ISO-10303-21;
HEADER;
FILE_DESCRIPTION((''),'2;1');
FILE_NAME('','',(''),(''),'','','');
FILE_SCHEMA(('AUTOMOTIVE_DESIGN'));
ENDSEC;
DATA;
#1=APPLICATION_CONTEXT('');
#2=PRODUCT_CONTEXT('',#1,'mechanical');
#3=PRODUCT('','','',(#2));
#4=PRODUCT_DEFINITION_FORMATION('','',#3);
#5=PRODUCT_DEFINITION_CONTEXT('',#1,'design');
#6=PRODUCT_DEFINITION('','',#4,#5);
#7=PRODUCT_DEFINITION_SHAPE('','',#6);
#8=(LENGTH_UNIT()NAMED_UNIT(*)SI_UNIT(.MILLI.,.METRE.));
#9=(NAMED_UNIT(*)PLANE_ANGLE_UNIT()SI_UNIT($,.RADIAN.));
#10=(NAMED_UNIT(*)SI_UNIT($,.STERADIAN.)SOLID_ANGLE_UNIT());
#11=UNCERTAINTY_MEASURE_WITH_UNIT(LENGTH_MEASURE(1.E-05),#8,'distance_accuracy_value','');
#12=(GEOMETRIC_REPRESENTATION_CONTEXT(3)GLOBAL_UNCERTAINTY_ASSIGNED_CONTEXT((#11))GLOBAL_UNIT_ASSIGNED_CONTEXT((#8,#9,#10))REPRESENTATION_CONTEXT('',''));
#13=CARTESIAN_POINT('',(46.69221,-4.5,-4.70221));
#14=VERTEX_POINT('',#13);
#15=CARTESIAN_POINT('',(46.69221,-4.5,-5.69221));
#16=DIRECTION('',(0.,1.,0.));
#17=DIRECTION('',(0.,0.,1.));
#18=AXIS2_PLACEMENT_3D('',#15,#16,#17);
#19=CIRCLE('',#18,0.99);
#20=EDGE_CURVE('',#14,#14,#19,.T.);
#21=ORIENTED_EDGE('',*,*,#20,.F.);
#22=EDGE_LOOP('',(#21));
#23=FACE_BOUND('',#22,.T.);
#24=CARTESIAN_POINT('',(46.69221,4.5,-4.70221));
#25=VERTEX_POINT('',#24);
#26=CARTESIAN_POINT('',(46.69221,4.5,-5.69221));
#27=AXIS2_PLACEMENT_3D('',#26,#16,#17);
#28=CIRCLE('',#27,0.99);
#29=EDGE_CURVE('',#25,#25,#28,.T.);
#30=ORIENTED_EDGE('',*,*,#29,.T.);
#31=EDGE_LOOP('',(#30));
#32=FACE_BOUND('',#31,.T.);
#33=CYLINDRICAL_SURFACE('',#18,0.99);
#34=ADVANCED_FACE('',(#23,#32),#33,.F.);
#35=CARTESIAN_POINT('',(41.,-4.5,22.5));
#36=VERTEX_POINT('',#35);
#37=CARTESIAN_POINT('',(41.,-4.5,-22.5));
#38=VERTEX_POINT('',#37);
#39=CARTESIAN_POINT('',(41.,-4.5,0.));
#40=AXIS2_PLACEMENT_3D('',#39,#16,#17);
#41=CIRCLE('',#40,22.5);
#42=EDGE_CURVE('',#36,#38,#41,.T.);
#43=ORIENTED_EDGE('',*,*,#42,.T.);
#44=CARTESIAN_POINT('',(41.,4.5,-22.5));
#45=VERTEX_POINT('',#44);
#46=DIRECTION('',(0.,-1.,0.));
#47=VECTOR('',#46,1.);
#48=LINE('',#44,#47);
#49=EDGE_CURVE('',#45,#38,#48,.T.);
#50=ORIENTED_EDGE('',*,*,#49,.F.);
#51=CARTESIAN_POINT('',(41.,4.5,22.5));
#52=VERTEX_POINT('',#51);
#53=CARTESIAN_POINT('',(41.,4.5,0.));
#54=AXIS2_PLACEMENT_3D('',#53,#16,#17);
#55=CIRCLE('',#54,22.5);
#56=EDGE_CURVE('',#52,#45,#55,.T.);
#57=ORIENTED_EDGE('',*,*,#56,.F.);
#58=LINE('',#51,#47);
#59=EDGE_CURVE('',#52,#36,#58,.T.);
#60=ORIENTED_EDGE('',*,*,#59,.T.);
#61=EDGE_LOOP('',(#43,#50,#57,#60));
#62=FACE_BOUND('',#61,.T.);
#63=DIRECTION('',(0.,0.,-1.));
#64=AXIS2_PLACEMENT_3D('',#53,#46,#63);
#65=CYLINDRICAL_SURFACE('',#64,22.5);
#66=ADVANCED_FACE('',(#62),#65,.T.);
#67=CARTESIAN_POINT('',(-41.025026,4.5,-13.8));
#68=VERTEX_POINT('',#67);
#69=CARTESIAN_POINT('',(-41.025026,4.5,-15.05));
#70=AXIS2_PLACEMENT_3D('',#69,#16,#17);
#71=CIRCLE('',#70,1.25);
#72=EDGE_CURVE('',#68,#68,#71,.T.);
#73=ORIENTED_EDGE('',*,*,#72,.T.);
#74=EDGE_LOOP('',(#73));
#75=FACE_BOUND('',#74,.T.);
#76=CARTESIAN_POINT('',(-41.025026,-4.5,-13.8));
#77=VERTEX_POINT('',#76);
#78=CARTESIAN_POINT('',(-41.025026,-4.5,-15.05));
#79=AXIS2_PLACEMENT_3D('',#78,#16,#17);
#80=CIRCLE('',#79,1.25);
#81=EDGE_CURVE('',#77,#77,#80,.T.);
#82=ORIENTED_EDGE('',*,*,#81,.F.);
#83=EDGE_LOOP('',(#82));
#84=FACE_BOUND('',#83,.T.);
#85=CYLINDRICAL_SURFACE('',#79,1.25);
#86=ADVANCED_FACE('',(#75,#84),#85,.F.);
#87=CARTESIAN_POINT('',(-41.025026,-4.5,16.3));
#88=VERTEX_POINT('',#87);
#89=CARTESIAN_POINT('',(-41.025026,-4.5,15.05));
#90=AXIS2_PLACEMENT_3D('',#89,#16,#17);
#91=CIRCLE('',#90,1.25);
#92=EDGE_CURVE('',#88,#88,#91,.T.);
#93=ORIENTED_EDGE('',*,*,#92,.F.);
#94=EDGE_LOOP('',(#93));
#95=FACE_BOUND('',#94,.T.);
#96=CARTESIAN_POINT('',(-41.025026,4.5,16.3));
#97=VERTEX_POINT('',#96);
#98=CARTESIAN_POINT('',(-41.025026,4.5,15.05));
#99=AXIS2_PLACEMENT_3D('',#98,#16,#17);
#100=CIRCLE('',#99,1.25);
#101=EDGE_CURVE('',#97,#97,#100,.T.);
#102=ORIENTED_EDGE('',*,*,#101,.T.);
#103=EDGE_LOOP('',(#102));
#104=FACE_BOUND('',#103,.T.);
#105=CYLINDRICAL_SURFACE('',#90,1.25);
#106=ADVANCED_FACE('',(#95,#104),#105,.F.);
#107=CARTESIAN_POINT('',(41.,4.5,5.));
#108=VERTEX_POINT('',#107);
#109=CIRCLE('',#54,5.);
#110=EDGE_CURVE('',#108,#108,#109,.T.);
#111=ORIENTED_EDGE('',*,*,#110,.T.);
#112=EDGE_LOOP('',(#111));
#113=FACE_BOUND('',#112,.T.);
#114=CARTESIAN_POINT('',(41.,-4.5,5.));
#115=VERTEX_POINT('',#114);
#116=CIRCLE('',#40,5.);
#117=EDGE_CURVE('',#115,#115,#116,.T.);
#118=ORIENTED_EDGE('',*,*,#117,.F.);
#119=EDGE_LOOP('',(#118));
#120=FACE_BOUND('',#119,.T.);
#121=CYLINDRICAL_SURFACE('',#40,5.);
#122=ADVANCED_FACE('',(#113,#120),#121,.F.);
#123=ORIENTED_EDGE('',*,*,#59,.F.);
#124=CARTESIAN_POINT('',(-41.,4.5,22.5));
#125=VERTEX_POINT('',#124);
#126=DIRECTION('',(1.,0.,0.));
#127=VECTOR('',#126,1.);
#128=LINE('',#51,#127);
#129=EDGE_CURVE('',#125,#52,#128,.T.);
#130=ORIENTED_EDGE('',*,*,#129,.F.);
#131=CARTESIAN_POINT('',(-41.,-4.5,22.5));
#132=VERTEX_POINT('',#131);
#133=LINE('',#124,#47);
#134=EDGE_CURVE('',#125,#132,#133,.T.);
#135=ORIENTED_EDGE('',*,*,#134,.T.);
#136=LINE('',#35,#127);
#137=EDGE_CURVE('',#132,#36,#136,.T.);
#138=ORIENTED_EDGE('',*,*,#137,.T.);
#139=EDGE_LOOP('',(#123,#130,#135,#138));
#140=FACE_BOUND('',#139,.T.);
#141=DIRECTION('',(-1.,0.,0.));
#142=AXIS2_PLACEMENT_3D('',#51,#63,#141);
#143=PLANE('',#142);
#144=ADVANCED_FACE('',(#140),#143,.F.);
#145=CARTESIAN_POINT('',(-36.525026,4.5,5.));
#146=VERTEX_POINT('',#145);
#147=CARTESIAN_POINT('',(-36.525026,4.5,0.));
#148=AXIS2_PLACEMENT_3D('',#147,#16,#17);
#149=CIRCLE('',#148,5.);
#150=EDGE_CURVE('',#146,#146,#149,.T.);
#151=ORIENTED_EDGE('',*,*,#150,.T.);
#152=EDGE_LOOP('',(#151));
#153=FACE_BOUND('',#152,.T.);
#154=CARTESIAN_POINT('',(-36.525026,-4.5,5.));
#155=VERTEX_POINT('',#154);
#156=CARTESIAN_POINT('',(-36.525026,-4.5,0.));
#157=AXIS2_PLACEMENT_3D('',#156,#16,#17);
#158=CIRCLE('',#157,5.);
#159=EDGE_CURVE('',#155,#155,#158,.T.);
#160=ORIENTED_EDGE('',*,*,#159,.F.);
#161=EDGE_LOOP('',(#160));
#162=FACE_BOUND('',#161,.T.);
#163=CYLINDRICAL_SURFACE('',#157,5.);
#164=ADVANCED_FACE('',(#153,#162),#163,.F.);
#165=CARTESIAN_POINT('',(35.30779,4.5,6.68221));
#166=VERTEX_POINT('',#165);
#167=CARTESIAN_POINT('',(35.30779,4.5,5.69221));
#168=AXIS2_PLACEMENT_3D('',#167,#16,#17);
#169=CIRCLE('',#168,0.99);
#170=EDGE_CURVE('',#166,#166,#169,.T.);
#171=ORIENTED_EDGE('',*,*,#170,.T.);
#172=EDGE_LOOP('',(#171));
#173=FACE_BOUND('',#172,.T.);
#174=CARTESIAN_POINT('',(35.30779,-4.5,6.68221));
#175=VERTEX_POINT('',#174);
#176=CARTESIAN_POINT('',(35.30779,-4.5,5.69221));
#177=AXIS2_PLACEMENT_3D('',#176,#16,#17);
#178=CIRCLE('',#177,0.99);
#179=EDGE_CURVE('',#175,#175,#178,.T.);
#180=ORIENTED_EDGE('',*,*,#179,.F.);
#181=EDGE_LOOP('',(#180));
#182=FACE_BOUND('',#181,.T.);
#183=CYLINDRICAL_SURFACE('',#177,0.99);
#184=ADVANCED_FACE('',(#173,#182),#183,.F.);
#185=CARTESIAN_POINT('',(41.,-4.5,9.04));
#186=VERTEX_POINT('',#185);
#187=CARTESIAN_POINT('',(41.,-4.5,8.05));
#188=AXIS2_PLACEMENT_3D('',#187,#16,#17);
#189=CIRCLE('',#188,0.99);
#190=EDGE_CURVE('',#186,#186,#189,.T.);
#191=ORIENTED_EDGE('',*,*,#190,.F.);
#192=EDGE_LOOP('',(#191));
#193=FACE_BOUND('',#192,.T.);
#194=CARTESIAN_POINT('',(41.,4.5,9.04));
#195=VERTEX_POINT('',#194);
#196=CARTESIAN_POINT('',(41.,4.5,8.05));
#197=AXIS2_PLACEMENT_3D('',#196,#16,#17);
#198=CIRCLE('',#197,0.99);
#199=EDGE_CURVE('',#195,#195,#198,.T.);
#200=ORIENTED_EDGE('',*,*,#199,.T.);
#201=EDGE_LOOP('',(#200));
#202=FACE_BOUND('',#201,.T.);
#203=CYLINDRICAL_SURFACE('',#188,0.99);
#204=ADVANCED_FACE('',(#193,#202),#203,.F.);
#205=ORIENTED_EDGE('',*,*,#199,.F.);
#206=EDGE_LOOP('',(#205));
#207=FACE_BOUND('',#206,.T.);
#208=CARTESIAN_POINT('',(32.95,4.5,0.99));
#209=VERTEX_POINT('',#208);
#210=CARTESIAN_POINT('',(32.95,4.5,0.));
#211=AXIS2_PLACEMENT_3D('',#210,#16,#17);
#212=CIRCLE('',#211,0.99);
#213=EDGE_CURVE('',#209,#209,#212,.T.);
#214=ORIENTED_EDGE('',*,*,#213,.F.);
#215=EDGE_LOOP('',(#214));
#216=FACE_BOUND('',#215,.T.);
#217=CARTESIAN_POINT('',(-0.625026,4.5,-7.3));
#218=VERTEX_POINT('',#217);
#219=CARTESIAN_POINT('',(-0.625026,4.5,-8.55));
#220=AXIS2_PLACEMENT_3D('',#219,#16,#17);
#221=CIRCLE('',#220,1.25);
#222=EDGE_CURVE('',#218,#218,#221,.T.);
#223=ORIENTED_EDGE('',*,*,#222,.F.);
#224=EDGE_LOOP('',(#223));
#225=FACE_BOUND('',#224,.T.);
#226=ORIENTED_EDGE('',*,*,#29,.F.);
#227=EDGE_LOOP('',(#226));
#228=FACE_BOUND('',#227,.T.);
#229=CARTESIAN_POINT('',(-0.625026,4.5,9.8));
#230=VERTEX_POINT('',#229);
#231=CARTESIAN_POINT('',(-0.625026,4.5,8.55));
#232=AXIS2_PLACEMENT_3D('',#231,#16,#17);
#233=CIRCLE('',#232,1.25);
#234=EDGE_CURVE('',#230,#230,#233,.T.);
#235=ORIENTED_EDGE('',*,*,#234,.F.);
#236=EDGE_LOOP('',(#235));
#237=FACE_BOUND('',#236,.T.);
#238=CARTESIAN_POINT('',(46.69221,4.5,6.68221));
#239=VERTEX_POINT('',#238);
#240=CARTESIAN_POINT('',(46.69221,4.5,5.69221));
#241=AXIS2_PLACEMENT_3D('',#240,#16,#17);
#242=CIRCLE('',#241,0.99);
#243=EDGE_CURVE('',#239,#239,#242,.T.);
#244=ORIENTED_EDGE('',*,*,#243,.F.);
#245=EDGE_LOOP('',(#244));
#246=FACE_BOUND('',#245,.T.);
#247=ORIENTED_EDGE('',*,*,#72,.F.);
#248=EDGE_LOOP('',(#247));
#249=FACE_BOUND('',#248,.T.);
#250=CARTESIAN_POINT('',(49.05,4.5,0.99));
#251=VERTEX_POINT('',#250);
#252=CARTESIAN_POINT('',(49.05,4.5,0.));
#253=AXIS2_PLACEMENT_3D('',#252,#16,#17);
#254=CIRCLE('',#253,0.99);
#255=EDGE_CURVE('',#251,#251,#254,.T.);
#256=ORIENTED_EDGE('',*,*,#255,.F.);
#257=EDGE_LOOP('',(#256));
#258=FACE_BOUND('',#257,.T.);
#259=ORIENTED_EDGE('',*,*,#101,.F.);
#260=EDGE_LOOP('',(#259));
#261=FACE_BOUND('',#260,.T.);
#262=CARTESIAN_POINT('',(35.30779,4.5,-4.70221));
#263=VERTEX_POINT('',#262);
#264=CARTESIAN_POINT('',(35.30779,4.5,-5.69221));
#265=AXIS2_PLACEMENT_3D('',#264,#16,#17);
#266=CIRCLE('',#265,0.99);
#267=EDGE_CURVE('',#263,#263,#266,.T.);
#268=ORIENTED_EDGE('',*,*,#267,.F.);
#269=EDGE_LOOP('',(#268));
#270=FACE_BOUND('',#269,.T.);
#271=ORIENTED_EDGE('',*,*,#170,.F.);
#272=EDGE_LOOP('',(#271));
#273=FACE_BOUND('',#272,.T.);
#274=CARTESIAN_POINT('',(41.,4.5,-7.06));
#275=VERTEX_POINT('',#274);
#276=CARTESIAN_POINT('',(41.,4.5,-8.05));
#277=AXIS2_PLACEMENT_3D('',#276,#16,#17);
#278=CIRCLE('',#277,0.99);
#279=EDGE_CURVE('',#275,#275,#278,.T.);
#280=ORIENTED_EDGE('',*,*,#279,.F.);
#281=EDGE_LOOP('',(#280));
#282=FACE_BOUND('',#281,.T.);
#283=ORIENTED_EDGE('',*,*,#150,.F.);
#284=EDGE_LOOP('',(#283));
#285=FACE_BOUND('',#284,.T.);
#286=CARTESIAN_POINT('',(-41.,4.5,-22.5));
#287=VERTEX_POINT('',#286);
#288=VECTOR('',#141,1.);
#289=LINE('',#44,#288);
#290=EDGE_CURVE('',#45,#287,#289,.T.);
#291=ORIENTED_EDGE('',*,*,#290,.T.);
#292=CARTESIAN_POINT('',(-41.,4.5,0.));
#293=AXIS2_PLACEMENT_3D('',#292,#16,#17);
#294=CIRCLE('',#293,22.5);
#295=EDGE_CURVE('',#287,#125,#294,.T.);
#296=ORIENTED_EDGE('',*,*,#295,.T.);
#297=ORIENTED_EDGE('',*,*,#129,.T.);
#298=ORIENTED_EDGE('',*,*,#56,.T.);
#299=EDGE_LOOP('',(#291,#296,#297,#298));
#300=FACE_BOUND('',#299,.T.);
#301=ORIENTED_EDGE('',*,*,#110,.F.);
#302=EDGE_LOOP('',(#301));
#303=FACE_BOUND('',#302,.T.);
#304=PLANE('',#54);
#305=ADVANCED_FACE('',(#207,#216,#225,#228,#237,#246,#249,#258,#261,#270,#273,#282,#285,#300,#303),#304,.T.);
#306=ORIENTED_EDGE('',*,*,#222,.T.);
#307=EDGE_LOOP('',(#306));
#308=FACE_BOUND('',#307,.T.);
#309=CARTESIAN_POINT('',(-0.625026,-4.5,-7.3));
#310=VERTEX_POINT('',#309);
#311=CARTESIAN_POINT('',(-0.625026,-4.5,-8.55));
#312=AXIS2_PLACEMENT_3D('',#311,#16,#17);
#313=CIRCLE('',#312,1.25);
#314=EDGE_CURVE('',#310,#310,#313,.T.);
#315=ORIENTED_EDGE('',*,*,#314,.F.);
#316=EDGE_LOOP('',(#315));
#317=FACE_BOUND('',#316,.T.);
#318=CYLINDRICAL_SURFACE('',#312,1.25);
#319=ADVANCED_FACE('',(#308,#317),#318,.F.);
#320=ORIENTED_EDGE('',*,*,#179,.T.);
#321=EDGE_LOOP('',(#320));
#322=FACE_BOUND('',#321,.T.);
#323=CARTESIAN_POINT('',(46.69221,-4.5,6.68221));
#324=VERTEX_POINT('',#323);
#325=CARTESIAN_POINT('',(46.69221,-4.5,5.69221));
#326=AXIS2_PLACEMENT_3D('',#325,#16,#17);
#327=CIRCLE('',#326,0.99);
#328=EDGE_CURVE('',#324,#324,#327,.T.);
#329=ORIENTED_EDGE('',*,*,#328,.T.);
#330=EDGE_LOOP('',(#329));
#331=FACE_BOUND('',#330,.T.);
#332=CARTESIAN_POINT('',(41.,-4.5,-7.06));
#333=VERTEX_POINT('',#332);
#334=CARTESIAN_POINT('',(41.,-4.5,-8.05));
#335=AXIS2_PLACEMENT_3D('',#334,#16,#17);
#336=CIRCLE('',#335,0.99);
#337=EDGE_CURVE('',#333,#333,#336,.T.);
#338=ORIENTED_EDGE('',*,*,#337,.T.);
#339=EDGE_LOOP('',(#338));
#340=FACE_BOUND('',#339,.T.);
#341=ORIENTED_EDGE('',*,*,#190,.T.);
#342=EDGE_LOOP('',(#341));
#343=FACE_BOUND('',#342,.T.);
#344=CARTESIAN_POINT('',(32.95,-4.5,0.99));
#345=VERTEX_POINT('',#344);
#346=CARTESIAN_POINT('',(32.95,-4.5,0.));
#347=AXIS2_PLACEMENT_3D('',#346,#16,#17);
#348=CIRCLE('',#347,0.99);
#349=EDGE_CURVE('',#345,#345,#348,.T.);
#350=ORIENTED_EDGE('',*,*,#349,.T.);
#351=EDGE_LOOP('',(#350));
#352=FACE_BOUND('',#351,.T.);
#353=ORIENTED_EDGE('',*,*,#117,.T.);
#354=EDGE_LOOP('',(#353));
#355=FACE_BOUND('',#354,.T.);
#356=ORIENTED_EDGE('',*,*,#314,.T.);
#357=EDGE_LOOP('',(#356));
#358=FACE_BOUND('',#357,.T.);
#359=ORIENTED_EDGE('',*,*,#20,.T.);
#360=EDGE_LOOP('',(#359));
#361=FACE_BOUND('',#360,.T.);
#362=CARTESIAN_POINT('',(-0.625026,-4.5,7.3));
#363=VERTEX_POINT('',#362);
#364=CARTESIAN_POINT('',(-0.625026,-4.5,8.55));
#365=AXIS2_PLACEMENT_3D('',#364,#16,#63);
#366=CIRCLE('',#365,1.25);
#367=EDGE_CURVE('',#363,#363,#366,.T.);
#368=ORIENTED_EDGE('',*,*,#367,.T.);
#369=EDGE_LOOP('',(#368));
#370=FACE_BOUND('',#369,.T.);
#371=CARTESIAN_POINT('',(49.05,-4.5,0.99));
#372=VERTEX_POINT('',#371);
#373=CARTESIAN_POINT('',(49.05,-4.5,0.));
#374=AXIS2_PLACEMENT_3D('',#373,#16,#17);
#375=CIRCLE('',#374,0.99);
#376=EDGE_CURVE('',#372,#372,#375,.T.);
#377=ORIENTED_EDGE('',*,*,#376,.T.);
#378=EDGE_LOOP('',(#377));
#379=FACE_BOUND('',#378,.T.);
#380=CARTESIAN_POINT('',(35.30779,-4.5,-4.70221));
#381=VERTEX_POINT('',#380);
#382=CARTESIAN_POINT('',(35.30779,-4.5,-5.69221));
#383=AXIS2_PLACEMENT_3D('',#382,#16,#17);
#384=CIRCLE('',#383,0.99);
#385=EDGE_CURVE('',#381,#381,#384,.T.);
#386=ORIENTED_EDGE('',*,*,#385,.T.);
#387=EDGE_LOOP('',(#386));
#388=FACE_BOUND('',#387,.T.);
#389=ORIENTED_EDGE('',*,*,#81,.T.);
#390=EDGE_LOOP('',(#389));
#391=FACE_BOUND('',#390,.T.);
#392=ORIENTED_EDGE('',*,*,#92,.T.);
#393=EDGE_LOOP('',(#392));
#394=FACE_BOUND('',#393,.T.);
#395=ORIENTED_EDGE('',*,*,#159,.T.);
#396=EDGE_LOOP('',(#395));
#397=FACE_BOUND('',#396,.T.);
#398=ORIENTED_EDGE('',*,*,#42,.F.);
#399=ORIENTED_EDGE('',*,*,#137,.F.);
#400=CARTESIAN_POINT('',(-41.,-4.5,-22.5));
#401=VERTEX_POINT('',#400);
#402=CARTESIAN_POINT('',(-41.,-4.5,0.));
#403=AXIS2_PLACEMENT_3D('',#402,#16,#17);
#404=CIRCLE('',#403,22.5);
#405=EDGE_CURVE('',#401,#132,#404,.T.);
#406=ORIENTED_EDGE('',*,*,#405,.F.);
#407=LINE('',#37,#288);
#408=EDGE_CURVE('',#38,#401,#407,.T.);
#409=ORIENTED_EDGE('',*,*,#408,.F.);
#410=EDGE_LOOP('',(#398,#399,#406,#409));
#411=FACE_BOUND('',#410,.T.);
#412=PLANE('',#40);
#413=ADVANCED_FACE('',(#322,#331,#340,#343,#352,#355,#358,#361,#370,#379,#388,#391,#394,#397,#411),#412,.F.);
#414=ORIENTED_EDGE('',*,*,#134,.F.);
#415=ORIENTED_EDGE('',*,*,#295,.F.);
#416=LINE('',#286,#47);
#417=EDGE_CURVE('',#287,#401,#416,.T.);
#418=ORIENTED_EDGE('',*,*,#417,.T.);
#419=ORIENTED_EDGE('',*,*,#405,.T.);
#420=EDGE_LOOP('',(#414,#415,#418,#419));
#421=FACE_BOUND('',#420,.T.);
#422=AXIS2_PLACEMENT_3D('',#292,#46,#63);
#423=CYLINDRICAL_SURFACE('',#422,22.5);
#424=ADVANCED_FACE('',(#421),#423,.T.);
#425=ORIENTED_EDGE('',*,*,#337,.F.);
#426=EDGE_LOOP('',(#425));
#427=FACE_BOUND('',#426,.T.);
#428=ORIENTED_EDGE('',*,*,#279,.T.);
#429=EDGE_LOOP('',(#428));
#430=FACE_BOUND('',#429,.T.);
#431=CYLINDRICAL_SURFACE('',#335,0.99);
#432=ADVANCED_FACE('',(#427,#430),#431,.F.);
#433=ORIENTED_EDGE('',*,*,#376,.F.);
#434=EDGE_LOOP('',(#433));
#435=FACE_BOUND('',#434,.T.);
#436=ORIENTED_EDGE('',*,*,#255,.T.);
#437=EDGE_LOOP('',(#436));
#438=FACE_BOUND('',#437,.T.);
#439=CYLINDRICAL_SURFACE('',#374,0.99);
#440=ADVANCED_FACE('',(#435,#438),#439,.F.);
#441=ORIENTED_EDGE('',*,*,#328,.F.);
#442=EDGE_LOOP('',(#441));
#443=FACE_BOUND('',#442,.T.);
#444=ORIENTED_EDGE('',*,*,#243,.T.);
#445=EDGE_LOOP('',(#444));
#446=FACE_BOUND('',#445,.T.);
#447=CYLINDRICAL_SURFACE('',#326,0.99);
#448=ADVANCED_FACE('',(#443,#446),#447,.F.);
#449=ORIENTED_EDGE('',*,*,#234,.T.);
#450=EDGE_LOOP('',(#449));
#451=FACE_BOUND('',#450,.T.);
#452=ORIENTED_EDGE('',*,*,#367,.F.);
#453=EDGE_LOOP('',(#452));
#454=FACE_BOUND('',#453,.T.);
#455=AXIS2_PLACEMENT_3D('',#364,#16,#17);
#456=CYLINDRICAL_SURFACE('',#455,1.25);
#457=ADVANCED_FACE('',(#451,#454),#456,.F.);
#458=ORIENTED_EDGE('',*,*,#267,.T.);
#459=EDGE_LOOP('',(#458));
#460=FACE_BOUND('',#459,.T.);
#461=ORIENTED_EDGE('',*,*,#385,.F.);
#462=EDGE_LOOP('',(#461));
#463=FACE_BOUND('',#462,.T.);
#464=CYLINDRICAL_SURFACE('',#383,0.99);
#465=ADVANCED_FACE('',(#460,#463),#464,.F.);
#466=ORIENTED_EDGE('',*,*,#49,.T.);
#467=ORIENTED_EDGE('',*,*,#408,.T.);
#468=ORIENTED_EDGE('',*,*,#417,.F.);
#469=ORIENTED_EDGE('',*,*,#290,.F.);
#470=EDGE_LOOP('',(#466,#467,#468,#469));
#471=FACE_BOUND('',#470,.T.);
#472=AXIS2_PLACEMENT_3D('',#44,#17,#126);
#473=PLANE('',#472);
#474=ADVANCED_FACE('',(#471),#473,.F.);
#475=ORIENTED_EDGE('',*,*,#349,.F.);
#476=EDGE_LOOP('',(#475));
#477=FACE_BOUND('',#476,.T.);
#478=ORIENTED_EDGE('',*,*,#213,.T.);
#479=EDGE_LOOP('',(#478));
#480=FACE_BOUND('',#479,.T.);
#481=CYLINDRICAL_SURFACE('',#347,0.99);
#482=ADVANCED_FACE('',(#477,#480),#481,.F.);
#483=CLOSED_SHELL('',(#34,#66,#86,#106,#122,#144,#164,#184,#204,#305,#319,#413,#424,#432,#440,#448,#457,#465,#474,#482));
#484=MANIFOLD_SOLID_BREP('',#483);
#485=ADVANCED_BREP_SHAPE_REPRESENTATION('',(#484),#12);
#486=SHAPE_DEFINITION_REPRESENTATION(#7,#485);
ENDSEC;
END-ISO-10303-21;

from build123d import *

# Parameters (mm, degrees)
BOSS_EXTRUDE1_DEPTH     = 4.5
CUT_EXTRUDE1_DEPTH      = 68.966903711
CUT_EXTRUDE1_DEPTH_BACK = 68.966903711
SKETCH3_R               = 0.99
SKETCH4_R               = 5
CUT_EXTRUDE2_DEPTH      = 68.966903711
CUT_EXTRUDE3_DEPTH      = 68.966903711
CUT_EXTRUDE3_DEPTH_BACK = 68.966903711
SKETCH5_R               = 1.25
SKETCH5_R_2             = 5


with BuildPart() as part:
    # Sketch2 → Boss-Extrude1 (new, symmetric)
    with BuildSketch(Plane(origin=(0, 0, 0), x_dir=(1, 0, 0), z_dir=(0, 1, 0))):
        with BuildLine():
            Line((41, -22.5), (-41, -22.5))
            ThreePointArc((-41, -22.5), (-63.5, 0), (-41, 22.5))
            Line((-41, 22.5), (41, 22.5))
            ThreePointArc((41, 22.5), (63.5, 0), (41, -22.5))
        make_face()
    extrude(amount=BOSS_EXTRUDE1_DEPTH, both=True)

    # Sketch3 → Cut-Extrude1 (cut, two sides: drawn at the far end of the back side and taken through both)
    with BuildSketch(Plane(origin=(0, 4.5, 0), x_dir=(1, 0, 0), z_dir=(0, 1, 0)).offset(-CUT_EXTRUDE1_DEPTH_BACK)):
        with Locations(Location((46.692209589, 5.692209589, 0), (0, 0, 270))):
            Circle(SKETCH3_R)
        with Locations(Location((41, 8.05, 0), (0, 0, 270))):
            Circle(SKETCH3_R)
        with Locations(Location((49.05, 0, 0), (0, 0, 270))):
            Circle(SKETCH3_R)
        with Locations(Location((46.692209589, -5.692209589, 0), (0, 0, 270))):
            Circle(SKETCH3_R)
        with Locations(Location((41, -8.05, 0), (0, 0, 270))):
            Circle(SKETCH3_R)
        with Locations(Location((35.307790411, -5.692209589, 0), (0, 0, 270))):
            Circle(SKETCH3_R)
        with Locations(Location((32.95, 0, 0), (0, 0, 270))):
            Circle(SKETCH3_R)
        with Locations(Location((35.307790411, 5.692209589, 0), (0, 0, 270))):
            Circle(SKETCH3_R)
    extrude(amount=CUT_EXTRUDE1_DEPTH + CUT_EXTRUDE1_DEPTH_BACK, mode=Mode.SUBTRACT)

    # Sketch4 → Cut-Extrude2 (cut, through all)
    with BuildSketch(Plane(origin=(0, 4.5, 0), x_dir=(1, 0, 0), z_dir=(0, 1, 0))):
        with Locations(Location((41, 0, 0), (0, 0, 270))):
            Circle(SKETCH4_R)
    extrude(amount=-CUT_EXTRUDE2_DEPTH, mode=Mode.SUBTRACT)

    # Sketch5 → Cut-Extrude3 (cut, two sides: drawn at the far end of the back side and taken through both)
    with BuildSketch(Plane(origin=(0, 4.5, 0), x_dir=(1, 0, 0), z_dir=(0, 1, 0)).offset(-CUT_EXTRUDE3_DEPTH_BACK)):
        with Locations(Location((-41.025026068, -15.05, 0), (0, 0, 270))):
            Circle(SKETCH5_R)
        with Locations(Location((-41.025026068, 15.05, 0), (0, 0, 270))):
            Circle(SKETCH5_R)
        with Locations(Location((-0.625026068, 8.55, 0), (0, 0, 270))):
            Circle(SKETCH5_R)
        with Locations(Location((-0.625026068, -8.55, 0), (0, 0, 270))):
            Circle(SKETCH5_R)
        with Locations(Location((-36.525026068, 0, 0), (0, 0, 270))):
            Circle(SKETCH5_R_2)
    extrude(amount=CUT_EXTRUDE3_DEPTH + CUT_EXTRUDE3_DEPTH_BACK, mode=Mode.SUBTRACT)


solid = part.part
